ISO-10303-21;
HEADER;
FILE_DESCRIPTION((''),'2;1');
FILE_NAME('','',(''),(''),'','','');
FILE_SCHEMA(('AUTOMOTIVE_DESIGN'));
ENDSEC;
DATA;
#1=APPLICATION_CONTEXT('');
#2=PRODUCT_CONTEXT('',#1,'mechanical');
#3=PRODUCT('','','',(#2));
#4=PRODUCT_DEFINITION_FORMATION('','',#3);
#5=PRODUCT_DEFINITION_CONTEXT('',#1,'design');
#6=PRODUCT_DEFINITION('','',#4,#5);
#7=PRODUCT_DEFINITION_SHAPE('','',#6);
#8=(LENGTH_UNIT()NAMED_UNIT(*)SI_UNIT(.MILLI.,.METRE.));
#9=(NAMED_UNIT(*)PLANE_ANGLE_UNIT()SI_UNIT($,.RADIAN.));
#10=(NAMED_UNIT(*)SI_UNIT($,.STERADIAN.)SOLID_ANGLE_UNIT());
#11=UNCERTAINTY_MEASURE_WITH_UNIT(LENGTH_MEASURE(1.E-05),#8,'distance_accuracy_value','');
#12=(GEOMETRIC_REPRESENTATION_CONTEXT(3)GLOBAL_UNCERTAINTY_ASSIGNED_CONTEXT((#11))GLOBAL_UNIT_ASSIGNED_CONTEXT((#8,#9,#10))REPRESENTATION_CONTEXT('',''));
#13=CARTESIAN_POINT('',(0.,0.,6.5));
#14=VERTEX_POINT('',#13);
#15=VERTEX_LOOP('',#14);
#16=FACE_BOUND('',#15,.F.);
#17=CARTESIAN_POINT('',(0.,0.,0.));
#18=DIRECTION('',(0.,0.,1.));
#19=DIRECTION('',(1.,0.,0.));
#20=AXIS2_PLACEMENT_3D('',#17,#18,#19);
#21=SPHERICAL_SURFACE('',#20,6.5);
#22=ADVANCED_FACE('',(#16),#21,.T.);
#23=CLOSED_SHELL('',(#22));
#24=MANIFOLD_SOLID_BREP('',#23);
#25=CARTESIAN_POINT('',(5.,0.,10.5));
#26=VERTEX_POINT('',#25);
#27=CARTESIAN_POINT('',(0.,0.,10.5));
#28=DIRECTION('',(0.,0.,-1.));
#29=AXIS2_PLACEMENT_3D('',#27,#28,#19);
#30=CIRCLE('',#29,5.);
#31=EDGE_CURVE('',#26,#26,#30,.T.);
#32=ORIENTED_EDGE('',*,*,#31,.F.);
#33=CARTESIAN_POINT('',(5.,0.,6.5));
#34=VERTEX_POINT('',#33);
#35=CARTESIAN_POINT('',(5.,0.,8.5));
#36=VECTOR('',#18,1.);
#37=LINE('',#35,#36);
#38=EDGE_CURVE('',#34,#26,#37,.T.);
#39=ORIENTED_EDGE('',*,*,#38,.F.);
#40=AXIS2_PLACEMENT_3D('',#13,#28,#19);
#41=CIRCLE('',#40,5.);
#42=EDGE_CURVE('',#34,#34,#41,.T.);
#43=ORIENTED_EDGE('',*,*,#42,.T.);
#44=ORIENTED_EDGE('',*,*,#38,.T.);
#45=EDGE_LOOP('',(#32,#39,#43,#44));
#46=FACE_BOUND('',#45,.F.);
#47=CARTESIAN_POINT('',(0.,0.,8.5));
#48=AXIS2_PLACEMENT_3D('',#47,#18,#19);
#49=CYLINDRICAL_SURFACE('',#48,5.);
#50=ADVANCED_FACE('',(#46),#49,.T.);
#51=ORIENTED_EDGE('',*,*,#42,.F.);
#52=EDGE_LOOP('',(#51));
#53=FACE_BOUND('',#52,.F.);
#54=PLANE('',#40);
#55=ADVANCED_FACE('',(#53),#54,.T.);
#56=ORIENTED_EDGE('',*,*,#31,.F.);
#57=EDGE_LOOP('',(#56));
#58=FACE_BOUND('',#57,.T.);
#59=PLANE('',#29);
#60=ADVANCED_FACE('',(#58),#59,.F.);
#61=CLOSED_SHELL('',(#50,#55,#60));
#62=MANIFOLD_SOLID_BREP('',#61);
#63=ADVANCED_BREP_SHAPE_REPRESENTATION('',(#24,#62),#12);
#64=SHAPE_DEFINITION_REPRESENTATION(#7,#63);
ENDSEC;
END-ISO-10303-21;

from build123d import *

# Parameters (mm, degrees)
F0_W = 5
F0_H = 4


with BuildPart() as f1:
    # F0 (on Front) → F1 (revolve)
    with BuildSketch(Plane.XZ):
        with BuildLine():
            Line((0, 6.5), (0, -6.5))
            ThreePointArc((0, -6.5), (6.5, 0), (0, 6.5))
        make_face()
        with Locations((2.5, 8.5)):
            Rectangle(F0_W, F0_H)
    revolve(axis=Axis((0, 0, 0), (0, 0, -1)))


solid = f1.part
